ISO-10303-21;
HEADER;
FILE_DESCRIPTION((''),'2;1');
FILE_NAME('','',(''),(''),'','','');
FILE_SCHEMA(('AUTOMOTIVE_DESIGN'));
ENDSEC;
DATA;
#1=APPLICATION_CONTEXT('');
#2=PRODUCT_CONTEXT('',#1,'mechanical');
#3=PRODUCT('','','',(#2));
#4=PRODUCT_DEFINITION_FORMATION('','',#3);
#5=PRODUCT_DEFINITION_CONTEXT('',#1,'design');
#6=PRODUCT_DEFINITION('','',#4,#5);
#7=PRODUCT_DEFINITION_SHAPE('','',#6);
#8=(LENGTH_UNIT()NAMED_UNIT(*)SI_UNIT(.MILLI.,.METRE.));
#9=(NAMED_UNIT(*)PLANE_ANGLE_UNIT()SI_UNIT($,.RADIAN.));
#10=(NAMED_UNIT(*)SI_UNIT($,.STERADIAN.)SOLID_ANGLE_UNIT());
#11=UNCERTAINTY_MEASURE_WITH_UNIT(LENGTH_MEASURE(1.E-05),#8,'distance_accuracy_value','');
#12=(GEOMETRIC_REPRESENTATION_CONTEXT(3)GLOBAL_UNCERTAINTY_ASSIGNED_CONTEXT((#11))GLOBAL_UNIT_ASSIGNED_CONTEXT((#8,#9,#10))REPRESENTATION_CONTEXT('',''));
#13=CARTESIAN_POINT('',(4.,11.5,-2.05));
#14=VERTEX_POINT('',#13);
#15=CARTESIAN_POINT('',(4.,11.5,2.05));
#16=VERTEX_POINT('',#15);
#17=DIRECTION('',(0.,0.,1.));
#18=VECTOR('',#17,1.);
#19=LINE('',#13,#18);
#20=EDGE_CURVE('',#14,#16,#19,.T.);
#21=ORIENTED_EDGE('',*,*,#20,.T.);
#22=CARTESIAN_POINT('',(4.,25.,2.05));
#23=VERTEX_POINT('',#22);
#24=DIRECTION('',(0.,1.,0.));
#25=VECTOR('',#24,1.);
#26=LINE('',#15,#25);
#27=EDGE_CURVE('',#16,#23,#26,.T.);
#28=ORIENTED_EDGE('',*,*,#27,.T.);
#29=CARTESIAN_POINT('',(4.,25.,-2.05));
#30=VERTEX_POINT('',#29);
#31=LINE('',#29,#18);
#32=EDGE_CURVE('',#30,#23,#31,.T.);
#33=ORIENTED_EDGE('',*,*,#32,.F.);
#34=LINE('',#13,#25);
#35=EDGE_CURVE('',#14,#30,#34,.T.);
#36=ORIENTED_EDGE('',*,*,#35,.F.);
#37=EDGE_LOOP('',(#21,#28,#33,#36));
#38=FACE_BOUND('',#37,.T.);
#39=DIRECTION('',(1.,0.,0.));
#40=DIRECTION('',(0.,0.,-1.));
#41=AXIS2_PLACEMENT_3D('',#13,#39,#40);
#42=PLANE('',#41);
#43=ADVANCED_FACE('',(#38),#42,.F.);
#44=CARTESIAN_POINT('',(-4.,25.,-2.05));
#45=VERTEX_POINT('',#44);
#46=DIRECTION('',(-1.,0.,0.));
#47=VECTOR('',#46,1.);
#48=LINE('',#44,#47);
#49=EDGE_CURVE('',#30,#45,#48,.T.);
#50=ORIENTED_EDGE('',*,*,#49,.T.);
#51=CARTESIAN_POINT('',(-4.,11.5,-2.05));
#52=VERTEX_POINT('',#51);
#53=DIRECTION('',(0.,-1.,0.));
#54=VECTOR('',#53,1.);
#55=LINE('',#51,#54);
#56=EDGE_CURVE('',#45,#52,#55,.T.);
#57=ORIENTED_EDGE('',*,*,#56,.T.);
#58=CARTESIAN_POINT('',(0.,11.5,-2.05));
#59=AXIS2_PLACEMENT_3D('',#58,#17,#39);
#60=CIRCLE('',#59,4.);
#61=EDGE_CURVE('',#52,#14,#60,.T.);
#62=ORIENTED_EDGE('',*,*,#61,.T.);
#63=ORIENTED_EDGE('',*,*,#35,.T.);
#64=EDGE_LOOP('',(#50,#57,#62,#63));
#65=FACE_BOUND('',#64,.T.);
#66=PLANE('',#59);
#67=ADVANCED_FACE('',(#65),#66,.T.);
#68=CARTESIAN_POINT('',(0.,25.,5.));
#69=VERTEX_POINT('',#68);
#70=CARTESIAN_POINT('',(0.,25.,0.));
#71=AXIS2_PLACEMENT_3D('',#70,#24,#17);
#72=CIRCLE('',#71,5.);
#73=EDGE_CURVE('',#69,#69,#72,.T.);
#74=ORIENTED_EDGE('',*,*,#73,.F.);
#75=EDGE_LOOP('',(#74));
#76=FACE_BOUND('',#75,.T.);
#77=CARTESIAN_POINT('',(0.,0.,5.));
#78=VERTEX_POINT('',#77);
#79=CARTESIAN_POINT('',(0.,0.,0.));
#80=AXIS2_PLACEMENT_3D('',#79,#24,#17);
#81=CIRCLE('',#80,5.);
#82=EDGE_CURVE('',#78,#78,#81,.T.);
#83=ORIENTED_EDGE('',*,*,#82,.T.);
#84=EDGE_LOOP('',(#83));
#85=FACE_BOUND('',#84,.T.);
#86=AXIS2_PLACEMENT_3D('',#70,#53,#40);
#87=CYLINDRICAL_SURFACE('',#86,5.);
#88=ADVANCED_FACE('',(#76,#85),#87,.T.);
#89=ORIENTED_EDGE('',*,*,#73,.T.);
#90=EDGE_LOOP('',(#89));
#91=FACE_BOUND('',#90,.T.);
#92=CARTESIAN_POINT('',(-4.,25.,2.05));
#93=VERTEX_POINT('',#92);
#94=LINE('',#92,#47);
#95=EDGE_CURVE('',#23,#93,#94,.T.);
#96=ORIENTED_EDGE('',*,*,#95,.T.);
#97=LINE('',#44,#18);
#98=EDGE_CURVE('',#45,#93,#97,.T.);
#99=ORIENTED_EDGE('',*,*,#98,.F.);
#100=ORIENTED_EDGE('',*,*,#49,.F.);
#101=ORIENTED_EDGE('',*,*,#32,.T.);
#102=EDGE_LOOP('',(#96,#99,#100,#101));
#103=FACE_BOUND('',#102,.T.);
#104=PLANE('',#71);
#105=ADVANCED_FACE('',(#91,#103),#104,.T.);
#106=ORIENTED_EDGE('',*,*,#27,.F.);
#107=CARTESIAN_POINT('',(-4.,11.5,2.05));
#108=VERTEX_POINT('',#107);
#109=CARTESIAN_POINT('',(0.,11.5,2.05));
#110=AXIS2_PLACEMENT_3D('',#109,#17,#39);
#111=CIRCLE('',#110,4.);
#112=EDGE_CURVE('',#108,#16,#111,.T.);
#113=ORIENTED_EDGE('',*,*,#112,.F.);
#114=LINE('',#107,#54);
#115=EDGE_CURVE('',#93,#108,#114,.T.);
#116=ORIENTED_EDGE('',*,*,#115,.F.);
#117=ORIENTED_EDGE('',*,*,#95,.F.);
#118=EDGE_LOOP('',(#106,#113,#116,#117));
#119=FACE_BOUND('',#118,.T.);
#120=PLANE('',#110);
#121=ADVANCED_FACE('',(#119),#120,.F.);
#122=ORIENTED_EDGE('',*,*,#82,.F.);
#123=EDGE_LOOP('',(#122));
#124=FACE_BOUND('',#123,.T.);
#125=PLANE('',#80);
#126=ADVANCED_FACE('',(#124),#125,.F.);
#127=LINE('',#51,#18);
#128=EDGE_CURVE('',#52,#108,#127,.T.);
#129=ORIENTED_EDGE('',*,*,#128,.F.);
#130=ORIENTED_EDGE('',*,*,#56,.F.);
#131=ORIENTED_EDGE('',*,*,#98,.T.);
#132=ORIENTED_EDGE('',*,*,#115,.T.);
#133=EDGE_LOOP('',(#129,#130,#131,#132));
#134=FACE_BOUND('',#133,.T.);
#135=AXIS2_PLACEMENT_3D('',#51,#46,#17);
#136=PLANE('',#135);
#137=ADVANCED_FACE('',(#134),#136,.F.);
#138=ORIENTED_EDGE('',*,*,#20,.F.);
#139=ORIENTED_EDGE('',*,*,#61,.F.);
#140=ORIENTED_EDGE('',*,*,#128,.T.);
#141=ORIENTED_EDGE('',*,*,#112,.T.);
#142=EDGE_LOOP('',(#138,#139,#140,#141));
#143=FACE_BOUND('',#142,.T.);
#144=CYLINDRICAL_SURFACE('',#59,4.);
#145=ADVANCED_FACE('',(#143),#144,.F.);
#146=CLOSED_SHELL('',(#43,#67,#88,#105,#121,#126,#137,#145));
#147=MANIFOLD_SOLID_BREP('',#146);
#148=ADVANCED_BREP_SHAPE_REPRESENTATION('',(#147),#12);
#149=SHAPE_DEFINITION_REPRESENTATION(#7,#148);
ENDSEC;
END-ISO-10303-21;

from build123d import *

# Parameters (mm, degrees)
SKETCH1_R           = 5
BOSS_EXTRUDE1_DEPTH = 25
CUT_EXTRUDE1_DEPTH  = 2.05


with BuildPart() as part:
    # Sketch1 → Boss-Extrude1 (new body)
    with BuildSketch(Plane(origin=(0, 0, 0), x_dir=(1, 0, 0), z_dir=(0, 1, 0))):
        with Locations(Location((0, 0, 0), (0, 0, 270))):
            Circle(SKETCH1_R)
    extrude(amount=BOSS_EXTRUDE1_DEPTH)

    # Sketch2 → Cut-Extrude1 (cut, symmetric)
    with BuildSketch(Plane.XY):
        with BuildLine():
            Line((-4, 11.5), (-4, 25))
            Line((-4, 25), (4, 25))
            Line((4, 25), (4, 11.5))
            ThreePointArc((4, 11.5), (0, 7.5), (-4, 11.5))
        make_face()
    extrude(amount=CUT_EXTRUDE1_DEPTH, both=True, mode=Mode.SUBTRACT)


solid = part.part
